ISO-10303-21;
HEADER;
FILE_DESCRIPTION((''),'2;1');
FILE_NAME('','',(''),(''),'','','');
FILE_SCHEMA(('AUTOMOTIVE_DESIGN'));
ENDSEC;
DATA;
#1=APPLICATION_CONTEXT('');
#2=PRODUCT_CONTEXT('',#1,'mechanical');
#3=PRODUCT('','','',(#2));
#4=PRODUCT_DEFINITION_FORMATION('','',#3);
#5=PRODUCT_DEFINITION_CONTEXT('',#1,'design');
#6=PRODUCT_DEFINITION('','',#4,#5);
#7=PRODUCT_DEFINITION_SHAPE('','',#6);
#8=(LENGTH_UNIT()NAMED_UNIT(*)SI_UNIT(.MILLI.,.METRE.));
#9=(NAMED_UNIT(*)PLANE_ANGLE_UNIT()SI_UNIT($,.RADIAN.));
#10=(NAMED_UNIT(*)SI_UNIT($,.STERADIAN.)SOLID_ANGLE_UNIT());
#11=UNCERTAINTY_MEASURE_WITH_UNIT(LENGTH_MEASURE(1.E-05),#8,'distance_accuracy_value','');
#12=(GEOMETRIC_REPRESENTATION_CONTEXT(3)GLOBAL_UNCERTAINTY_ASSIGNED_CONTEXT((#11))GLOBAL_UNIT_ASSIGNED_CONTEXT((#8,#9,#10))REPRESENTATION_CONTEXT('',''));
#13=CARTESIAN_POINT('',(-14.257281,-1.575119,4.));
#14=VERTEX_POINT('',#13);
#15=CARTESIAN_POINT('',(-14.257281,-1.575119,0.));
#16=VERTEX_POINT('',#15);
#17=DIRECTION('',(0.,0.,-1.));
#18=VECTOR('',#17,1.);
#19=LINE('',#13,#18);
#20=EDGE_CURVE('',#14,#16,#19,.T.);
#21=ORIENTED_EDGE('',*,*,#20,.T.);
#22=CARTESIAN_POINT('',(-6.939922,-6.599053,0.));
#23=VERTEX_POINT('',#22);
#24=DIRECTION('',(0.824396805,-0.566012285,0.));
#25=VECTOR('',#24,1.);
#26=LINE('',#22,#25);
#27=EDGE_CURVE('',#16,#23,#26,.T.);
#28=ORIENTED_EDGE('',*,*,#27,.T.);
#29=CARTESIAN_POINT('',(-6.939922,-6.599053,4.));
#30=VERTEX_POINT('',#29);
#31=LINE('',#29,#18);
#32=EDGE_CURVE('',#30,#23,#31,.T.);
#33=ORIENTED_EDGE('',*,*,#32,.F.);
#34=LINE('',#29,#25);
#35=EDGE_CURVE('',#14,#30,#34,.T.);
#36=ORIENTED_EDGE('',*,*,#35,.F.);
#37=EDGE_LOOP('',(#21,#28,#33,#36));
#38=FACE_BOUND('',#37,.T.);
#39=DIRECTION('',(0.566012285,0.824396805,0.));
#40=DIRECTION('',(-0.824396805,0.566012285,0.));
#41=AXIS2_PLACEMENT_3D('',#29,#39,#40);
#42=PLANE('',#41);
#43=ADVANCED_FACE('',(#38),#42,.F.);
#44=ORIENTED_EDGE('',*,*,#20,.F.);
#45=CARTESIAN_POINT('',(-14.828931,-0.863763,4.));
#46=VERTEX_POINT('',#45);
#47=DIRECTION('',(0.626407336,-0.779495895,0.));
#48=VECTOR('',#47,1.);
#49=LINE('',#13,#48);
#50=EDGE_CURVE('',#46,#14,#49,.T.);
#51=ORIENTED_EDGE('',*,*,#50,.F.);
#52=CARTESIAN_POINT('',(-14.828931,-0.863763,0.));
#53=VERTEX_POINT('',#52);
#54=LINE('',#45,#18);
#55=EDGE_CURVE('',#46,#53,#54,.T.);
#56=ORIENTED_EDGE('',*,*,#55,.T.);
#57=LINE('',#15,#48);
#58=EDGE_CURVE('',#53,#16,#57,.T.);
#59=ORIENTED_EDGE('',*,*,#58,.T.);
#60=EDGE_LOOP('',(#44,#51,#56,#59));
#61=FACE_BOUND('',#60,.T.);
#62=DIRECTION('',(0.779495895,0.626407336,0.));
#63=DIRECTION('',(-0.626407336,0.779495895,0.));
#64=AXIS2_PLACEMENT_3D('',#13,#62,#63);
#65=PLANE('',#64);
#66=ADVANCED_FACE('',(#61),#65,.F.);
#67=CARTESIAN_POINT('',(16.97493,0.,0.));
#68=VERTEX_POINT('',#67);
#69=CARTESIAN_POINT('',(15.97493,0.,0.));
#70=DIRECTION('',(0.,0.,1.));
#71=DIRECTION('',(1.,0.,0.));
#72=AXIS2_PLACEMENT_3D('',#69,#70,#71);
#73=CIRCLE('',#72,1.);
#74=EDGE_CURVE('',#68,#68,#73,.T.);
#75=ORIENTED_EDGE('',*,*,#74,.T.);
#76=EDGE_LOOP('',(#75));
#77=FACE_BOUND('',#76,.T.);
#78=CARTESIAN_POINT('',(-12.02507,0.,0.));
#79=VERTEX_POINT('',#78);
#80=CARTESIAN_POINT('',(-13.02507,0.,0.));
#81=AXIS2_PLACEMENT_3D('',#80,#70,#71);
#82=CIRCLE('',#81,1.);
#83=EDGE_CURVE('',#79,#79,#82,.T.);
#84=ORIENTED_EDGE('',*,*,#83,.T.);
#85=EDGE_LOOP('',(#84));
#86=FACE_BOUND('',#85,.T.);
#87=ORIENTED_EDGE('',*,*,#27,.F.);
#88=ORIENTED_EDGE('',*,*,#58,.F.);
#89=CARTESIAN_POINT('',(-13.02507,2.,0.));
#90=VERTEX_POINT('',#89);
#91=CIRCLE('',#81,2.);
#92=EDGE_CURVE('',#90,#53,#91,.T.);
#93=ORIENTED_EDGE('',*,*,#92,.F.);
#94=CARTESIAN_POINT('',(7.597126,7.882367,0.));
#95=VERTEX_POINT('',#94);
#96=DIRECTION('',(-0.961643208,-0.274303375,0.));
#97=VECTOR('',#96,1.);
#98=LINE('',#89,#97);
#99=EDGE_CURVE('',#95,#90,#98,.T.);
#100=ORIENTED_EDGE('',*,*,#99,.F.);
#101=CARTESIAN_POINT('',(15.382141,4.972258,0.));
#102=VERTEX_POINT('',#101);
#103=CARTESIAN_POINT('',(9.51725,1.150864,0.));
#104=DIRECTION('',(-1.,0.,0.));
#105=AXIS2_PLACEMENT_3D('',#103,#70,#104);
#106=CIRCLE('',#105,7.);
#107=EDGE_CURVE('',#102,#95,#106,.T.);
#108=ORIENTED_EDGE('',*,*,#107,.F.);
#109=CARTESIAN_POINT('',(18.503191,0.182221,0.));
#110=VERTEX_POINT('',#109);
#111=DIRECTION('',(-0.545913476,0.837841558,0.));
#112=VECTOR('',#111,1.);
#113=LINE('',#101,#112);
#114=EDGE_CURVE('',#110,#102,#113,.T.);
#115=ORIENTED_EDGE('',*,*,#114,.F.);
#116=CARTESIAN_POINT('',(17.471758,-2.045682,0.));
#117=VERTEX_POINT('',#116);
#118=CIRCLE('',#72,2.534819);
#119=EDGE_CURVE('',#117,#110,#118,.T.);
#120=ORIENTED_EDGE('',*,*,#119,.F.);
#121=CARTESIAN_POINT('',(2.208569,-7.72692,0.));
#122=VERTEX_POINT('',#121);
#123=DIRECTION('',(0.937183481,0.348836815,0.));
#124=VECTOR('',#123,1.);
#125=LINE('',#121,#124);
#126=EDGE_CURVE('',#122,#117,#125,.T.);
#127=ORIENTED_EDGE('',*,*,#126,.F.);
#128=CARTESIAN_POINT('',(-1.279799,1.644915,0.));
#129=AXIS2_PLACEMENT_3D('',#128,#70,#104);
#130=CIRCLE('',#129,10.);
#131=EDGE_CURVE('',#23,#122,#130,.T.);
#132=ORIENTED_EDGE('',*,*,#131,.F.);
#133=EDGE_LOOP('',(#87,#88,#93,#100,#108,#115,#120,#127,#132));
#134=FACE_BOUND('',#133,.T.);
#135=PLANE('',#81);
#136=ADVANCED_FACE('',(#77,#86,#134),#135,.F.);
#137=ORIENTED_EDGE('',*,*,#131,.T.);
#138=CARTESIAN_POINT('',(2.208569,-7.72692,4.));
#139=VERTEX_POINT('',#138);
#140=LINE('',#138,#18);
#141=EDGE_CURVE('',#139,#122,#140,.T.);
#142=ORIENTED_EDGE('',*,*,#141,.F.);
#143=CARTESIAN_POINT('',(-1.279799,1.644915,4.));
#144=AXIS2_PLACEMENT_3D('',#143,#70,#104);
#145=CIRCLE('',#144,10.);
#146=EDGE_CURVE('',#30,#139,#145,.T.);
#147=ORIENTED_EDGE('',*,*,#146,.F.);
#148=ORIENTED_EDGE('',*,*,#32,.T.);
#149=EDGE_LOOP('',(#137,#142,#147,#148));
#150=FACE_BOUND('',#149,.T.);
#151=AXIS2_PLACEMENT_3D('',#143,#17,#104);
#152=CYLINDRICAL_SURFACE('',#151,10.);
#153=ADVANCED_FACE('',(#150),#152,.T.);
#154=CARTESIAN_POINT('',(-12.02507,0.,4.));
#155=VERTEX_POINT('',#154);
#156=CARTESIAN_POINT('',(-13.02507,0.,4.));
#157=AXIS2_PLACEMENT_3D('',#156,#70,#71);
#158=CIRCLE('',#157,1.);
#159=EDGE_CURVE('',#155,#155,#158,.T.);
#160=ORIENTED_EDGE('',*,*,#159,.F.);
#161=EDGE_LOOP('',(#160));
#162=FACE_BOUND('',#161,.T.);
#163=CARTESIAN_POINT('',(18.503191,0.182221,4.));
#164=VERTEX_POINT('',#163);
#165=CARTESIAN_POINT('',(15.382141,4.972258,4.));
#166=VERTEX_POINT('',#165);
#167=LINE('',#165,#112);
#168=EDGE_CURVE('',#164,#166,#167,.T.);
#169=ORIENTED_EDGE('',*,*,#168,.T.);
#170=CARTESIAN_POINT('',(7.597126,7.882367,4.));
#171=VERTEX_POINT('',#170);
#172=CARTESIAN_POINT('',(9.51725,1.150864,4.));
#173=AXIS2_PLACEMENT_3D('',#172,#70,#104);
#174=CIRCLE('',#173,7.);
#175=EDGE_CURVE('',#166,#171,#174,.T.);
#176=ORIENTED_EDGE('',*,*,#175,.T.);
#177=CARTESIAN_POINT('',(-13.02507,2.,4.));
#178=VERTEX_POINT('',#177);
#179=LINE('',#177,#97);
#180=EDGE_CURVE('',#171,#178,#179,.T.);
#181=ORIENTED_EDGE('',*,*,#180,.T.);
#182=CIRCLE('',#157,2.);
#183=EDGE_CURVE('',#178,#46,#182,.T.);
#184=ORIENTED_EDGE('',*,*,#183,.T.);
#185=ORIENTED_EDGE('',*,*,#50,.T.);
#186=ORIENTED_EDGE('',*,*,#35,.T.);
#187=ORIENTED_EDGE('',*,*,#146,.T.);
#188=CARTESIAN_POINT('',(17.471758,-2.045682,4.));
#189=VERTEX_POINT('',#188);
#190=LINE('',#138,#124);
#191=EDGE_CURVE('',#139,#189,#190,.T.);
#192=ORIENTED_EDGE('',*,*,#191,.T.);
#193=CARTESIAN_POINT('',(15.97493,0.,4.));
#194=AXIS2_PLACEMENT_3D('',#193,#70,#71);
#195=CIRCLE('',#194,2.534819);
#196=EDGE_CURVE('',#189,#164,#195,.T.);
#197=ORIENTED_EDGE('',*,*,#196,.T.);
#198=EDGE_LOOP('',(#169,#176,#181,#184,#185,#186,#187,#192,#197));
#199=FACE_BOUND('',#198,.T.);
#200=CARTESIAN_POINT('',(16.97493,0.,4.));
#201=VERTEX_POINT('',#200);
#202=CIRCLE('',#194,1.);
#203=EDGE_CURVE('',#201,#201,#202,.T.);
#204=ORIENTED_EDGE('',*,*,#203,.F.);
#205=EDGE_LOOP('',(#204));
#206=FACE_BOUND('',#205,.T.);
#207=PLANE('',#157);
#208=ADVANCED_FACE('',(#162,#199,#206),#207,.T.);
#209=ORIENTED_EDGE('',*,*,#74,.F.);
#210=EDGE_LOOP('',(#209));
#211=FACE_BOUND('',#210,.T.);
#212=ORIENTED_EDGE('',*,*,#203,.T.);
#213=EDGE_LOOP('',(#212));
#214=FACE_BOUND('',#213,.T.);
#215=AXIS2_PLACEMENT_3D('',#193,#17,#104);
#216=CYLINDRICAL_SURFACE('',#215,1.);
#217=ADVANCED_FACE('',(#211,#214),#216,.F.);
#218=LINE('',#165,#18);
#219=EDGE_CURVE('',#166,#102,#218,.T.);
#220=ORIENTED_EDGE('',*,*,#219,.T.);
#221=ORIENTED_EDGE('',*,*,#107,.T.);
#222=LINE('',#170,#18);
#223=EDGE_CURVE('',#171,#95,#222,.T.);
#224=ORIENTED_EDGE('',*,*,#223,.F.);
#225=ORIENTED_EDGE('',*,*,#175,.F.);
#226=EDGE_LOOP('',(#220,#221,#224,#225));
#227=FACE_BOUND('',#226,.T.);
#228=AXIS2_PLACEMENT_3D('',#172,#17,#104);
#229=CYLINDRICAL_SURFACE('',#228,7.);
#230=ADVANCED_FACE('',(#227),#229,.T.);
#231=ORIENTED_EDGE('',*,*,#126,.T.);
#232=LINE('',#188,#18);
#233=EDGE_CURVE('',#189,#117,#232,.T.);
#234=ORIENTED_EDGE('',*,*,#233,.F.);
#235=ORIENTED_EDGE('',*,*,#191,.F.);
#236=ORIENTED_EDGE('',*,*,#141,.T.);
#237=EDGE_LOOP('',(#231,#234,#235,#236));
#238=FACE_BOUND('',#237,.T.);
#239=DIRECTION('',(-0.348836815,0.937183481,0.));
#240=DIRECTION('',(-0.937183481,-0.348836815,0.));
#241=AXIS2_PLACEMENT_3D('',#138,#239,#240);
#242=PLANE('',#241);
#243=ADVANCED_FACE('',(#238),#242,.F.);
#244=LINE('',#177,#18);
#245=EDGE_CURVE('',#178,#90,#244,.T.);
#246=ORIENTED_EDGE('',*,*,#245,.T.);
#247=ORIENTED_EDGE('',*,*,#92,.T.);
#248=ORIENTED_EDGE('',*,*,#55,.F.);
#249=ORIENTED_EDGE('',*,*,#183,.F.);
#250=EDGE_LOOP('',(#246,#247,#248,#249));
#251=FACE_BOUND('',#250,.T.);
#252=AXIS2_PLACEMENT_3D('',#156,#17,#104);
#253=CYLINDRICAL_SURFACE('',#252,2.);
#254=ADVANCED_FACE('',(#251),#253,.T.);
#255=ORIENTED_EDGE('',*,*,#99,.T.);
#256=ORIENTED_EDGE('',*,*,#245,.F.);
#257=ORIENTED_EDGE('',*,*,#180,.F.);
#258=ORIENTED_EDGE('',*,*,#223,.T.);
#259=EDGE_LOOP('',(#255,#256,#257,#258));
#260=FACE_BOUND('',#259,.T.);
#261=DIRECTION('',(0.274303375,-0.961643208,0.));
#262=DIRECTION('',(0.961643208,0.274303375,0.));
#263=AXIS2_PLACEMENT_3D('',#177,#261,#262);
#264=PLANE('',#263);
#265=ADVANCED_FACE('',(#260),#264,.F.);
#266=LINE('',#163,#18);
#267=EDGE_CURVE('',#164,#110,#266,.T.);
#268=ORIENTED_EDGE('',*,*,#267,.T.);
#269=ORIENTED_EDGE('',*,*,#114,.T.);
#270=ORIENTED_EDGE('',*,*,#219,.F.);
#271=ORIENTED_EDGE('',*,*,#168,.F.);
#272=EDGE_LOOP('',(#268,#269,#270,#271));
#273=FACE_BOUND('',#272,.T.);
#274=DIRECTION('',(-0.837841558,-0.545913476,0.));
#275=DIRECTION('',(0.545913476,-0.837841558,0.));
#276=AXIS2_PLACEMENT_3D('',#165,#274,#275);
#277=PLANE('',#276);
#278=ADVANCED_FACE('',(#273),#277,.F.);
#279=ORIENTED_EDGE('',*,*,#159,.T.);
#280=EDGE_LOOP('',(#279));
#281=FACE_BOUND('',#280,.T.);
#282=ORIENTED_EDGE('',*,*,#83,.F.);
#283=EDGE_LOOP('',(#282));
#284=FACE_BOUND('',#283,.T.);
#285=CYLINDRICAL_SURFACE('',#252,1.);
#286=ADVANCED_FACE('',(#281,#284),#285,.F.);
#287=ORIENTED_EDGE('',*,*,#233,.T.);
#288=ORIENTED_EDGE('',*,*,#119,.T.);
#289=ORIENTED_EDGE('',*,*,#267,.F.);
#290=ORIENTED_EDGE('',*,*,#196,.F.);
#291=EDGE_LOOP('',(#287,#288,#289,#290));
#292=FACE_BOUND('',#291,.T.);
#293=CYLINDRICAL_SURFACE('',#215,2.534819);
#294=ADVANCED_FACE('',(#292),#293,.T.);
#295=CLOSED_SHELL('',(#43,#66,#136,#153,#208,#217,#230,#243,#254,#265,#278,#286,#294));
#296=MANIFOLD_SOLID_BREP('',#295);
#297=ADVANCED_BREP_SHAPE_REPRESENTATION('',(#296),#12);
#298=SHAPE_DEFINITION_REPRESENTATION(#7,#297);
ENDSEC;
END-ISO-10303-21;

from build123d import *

# Parameters (mm, degrees)
SKETCH1_R           = 1
BOSS_EXTRUDE1_DEPTH = 4


with BuildPart() as part:
    # Sketch1 → Boss-Extrude1 (new body)
    with BuildSketch(Plane.XY):
        with BuildLine():
            Line((-14.257280668, -1.575118781), (-14.828930549, -0.86376259))
            ThreePointArc((-14.828930549, -0.86376259), (-14.717335158, 1.065944375), (-13.025069638, 2))
            Line((-13.025069638, 2), (7.597126091, 7.882366595))
            ThreePointArc((7.597126091, 7.882366595), (11.968265738, 7.707732331), (15.382140621, 4.972258475))
            Line((15.382140621, 4.972258475), (18.503191116, 0.182221363))
            ThreePointArc((18.503191116, 0.182221363), (18.275196012, -1.064934274), (17.471757811, -2.045681953))
            Line((17.471757811, -2.045681953), (2.208569451, -7.726919547))
            ThreePointArc((2.208569451, -7.726919547), (-2.503379707, -8.279944918), (-6.939921558, -6.599052796))
            Line((-6.939921558, -6.599052796), (-14.257280668, -1.575118781))
        make_face()
        with Locations((15.974930362, 0)):
            Circle(SKETCH1_R, mode=Mode.SUBTRACT)
        with Locations((-13.025069638, 0)):
            Circle(SKETCH1_R, mode=Mode.SUBTRACT)
    extrude(amount=BOSS_EXTRUDE1_DEPTH)


solid = part.part
